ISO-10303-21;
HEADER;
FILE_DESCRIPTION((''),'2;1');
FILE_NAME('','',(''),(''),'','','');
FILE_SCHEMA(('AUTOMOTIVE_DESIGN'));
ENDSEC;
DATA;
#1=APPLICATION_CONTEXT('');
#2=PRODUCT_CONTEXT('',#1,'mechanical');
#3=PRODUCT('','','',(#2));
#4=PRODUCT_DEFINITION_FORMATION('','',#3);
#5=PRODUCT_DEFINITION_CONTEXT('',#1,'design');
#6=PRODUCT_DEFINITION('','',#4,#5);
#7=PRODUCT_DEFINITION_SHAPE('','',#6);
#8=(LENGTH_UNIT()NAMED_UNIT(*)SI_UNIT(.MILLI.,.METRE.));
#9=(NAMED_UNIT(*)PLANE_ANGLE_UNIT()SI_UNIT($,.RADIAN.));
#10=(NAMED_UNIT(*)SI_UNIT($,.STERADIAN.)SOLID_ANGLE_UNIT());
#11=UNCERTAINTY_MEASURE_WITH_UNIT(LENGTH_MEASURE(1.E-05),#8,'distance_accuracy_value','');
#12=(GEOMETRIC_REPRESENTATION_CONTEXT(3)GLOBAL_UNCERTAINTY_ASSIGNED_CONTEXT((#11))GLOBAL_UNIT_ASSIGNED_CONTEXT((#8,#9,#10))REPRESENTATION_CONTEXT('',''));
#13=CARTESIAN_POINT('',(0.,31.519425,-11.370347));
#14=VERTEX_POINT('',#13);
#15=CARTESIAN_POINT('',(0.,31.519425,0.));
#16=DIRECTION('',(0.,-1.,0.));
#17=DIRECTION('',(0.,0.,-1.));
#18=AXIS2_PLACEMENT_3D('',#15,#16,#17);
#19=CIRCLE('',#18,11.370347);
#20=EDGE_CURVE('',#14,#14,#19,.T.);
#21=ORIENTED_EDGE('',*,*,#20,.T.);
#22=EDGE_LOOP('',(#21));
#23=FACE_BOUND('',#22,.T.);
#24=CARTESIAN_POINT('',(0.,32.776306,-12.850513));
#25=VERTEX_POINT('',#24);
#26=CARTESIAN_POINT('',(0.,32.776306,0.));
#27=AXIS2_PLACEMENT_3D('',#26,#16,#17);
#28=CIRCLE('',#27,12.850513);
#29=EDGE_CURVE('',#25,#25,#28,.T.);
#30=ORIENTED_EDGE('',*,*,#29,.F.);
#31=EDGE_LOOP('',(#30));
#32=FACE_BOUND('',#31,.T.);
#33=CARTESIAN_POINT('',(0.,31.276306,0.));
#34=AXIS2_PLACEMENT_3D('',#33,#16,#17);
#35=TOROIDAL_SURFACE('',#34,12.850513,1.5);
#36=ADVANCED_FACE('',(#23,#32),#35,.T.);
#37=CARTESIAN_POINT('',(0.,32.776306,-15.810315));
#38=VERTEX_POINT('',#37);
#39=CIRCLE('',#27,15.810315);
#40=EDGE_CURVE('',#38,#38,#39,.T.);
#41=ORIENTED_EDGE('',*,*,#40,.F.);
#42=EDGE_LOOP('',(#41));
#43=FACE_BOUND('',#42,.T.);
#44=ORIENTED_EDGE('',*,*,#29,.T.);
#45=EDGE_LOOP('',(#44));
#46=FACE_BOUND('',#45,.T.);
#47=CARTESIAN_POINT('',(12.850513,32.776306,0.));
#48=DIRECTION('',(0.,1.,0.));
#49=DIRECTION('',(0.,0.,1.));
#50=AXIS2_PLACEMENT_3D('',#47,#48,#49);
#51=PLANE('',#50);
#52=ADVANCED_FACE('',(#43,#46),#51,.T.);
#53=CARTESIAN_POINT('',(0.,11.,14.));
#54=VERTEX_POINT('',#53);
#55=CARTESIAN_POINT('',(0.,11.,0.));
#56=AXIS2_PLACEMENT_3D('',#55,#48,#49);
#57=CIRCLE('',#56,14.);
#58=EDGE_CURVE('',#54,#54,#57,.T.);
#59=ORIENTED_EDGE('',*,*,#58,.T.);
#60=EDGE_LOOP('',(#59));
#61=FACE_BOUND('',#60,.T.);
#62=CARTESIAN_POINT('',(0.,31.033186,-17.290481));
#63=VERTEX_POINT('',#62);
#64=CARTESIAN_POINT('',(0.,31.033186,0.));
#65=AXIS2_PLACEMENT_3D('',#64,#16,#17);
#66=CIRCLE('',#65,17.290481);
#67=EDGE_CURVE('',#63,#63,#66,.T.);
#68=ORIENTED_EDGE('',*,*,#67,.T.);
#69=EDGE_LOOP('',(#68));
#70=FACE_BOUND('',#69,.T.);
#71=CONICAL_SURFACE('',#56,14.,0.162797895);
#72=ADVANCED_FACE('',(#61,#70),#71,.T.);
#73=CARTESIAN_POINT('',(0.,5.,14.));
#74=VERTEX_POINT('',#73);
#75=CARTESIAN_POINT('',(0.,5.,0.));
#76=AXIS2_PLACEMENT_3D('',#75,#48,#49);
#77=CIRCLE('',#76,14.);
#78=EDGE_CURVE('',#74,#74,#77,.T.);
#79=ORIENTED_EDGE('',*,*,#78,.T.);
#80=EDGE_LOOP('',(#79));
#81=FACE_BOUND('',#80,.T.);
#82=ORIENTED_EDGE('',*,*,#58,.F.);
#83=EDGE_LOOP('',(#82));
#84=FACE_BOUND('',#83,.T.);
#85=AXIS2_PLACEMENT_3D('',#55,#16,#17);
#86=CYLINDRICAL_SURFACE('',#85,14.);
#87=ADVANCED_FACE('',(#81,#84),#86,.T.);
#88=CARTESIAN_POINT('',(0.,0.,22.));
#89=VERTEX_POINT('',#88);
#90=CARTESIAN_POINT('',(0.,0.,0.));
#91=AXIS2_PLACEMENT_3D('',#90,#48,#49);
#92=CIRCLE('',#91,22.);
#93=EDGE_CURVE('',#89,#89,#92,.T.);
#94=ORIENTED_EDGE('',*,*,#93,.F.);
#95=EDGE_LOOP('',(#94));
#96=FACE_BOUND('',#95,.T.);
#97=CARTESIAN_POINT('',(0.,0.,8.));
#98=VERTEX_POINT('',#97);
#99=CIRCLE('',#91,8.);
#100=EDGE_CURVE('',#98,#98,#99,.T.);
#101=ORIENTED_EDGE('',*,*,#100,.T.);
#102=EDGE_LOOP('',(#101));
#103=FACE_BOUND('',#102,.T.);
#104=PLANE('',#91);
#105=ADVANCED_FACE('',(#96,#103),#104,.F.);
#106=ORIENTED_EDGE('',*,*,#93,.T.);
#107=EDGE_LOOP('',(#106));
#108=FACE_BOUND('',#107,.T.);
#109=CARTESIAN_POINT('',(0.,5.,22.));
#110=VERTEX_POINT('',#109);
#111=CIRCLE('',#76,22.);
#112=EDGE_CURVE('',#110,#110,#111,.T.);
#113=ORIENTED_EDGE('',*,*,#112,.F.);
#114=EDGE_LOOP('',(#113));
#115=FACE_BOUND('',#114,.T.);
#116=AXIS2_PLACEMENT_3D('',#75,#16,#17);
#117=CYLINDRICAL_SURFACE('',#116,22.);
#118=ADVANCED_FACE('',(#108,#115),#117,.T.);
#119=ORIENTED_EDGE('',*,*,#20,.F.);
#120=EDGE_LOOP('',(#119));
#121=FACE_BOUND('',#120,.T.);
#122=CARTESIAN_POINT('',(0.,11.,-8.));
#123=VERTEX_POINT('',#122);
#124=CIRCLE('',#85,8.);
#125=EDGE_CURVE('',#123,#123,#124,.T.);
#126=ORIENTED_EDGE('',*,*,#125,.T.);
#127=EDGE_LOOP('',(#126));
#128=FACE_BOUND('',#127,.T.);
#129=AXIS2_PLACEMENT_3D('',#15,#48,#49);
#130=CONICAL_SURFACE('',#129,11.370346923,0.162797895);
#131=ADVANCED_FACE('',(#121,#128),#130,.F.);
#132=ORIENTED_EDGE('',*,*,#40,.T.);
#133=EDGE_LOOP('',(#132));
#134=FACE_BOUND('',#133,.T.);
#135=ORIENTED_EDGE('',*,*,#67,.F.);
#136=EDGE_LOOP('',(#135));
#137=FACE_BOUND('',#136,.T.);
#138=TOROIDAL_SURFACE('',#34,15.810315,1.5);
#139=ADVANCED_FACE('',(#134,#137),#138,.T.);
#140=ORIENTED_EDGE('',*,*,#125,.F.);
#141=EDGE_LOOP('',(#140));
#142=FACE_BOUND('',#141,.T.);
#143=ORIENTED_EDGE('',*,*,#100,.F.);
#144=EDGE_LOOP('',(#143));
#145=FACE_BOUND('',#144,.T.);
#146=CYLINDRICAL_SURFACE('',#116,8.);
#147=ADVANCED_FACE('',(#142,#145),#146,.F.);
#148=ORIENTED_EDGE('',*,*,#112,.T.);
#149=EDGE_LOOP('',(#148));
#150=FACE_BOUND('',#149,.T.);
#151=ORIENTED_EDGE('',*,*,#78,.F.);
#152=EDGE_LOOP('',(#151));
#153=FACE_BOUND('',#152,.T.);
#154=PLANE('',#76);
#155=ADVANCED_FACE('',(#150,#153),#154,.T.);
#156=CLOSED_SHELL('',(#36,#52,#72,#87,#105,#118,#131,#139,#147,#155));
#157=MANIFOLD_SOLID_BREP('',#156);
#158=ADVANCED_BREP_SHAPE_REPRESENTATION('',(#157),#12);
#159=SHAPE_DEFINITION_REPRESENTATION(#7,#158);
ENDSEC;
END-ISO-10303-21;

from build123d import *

# Parameters (mm, degrees)
SKETCH1_R           = 22
SKETCH1_R_2         = 8
BOSS_EXTRUDE1_DEPTH = 5
SKETCH2_R           = 14
SKETCH2_R_2         = 8
BOSS_EXTRUDE2_DEPTH = 6


with BuildPart() as part:
    # Sketch1 → Boss-Extrude1 (new body)
    with BuildSketch(Plane(origin=(0, 0, 0), x_dir=(1, 0, 0), z_dir=(0, 1, 0))):
        with Locations(Location((0, 0, 0), (0, 0, 270))):
            Circle(SKETCH1_R)
        with Locations(Location((0, 0, 0), (0, 0, 270))):
            Circle(SKETCH1_R_2, mode=Mode.SUBTRACT)
    extrude(amount=BOSS_EXTRUDE1_DEPTH)

    # Sketch2 → Boss-Extrude2 (add)
    with BuildSketch(Plane(origin=(0, 5, 0), x_dir=(1, 0, 0), z_dir=(0, 1, 0))):
        with Locations(Location((0, 0, 0), (0, 0, 270))):
            Circle(SKETCH2_R)
        with Locations(Location((0, 0, 0), (0, 0, 270))):
            Circle(SKETCH2_R_2, mode=Mode.SUBTRACT)
    extrude(amount=BOSS_EXTRUDE2_DEPTH)

    # Sketch3 → Revolve1 (revolve)
    with BuildSketch(Plane.XY, mode=Mode.PRIVATE) as revolve1_sk:
        with BuildLine():
            Line((8, 11), (11.370346923, 31.519425266))
            ThreePointArc((11.370346923, 31.519425266), (11.879606474, 32.419695227), (12.850513419, 32.776305659))
            Line((12.850513419, 32.776305659), (15.810314893, 32.776305659))
            ThreePointArc((15.810314893, 32.776305659), (16.953704462, 32.247212604), (17.29048139, 31.033186053))
            Line((17.29048139, 31.033186053), (14, 11))
            Line((14, 11), (8, 11))
        make_face()
    revolve(revolve1_sk.sketch.rotate(Axis((0, 0, 0), (0, 1, 0)), 90), axis=Axis((0, 0, 0), (0, 1, 0)))


solid = part.part
